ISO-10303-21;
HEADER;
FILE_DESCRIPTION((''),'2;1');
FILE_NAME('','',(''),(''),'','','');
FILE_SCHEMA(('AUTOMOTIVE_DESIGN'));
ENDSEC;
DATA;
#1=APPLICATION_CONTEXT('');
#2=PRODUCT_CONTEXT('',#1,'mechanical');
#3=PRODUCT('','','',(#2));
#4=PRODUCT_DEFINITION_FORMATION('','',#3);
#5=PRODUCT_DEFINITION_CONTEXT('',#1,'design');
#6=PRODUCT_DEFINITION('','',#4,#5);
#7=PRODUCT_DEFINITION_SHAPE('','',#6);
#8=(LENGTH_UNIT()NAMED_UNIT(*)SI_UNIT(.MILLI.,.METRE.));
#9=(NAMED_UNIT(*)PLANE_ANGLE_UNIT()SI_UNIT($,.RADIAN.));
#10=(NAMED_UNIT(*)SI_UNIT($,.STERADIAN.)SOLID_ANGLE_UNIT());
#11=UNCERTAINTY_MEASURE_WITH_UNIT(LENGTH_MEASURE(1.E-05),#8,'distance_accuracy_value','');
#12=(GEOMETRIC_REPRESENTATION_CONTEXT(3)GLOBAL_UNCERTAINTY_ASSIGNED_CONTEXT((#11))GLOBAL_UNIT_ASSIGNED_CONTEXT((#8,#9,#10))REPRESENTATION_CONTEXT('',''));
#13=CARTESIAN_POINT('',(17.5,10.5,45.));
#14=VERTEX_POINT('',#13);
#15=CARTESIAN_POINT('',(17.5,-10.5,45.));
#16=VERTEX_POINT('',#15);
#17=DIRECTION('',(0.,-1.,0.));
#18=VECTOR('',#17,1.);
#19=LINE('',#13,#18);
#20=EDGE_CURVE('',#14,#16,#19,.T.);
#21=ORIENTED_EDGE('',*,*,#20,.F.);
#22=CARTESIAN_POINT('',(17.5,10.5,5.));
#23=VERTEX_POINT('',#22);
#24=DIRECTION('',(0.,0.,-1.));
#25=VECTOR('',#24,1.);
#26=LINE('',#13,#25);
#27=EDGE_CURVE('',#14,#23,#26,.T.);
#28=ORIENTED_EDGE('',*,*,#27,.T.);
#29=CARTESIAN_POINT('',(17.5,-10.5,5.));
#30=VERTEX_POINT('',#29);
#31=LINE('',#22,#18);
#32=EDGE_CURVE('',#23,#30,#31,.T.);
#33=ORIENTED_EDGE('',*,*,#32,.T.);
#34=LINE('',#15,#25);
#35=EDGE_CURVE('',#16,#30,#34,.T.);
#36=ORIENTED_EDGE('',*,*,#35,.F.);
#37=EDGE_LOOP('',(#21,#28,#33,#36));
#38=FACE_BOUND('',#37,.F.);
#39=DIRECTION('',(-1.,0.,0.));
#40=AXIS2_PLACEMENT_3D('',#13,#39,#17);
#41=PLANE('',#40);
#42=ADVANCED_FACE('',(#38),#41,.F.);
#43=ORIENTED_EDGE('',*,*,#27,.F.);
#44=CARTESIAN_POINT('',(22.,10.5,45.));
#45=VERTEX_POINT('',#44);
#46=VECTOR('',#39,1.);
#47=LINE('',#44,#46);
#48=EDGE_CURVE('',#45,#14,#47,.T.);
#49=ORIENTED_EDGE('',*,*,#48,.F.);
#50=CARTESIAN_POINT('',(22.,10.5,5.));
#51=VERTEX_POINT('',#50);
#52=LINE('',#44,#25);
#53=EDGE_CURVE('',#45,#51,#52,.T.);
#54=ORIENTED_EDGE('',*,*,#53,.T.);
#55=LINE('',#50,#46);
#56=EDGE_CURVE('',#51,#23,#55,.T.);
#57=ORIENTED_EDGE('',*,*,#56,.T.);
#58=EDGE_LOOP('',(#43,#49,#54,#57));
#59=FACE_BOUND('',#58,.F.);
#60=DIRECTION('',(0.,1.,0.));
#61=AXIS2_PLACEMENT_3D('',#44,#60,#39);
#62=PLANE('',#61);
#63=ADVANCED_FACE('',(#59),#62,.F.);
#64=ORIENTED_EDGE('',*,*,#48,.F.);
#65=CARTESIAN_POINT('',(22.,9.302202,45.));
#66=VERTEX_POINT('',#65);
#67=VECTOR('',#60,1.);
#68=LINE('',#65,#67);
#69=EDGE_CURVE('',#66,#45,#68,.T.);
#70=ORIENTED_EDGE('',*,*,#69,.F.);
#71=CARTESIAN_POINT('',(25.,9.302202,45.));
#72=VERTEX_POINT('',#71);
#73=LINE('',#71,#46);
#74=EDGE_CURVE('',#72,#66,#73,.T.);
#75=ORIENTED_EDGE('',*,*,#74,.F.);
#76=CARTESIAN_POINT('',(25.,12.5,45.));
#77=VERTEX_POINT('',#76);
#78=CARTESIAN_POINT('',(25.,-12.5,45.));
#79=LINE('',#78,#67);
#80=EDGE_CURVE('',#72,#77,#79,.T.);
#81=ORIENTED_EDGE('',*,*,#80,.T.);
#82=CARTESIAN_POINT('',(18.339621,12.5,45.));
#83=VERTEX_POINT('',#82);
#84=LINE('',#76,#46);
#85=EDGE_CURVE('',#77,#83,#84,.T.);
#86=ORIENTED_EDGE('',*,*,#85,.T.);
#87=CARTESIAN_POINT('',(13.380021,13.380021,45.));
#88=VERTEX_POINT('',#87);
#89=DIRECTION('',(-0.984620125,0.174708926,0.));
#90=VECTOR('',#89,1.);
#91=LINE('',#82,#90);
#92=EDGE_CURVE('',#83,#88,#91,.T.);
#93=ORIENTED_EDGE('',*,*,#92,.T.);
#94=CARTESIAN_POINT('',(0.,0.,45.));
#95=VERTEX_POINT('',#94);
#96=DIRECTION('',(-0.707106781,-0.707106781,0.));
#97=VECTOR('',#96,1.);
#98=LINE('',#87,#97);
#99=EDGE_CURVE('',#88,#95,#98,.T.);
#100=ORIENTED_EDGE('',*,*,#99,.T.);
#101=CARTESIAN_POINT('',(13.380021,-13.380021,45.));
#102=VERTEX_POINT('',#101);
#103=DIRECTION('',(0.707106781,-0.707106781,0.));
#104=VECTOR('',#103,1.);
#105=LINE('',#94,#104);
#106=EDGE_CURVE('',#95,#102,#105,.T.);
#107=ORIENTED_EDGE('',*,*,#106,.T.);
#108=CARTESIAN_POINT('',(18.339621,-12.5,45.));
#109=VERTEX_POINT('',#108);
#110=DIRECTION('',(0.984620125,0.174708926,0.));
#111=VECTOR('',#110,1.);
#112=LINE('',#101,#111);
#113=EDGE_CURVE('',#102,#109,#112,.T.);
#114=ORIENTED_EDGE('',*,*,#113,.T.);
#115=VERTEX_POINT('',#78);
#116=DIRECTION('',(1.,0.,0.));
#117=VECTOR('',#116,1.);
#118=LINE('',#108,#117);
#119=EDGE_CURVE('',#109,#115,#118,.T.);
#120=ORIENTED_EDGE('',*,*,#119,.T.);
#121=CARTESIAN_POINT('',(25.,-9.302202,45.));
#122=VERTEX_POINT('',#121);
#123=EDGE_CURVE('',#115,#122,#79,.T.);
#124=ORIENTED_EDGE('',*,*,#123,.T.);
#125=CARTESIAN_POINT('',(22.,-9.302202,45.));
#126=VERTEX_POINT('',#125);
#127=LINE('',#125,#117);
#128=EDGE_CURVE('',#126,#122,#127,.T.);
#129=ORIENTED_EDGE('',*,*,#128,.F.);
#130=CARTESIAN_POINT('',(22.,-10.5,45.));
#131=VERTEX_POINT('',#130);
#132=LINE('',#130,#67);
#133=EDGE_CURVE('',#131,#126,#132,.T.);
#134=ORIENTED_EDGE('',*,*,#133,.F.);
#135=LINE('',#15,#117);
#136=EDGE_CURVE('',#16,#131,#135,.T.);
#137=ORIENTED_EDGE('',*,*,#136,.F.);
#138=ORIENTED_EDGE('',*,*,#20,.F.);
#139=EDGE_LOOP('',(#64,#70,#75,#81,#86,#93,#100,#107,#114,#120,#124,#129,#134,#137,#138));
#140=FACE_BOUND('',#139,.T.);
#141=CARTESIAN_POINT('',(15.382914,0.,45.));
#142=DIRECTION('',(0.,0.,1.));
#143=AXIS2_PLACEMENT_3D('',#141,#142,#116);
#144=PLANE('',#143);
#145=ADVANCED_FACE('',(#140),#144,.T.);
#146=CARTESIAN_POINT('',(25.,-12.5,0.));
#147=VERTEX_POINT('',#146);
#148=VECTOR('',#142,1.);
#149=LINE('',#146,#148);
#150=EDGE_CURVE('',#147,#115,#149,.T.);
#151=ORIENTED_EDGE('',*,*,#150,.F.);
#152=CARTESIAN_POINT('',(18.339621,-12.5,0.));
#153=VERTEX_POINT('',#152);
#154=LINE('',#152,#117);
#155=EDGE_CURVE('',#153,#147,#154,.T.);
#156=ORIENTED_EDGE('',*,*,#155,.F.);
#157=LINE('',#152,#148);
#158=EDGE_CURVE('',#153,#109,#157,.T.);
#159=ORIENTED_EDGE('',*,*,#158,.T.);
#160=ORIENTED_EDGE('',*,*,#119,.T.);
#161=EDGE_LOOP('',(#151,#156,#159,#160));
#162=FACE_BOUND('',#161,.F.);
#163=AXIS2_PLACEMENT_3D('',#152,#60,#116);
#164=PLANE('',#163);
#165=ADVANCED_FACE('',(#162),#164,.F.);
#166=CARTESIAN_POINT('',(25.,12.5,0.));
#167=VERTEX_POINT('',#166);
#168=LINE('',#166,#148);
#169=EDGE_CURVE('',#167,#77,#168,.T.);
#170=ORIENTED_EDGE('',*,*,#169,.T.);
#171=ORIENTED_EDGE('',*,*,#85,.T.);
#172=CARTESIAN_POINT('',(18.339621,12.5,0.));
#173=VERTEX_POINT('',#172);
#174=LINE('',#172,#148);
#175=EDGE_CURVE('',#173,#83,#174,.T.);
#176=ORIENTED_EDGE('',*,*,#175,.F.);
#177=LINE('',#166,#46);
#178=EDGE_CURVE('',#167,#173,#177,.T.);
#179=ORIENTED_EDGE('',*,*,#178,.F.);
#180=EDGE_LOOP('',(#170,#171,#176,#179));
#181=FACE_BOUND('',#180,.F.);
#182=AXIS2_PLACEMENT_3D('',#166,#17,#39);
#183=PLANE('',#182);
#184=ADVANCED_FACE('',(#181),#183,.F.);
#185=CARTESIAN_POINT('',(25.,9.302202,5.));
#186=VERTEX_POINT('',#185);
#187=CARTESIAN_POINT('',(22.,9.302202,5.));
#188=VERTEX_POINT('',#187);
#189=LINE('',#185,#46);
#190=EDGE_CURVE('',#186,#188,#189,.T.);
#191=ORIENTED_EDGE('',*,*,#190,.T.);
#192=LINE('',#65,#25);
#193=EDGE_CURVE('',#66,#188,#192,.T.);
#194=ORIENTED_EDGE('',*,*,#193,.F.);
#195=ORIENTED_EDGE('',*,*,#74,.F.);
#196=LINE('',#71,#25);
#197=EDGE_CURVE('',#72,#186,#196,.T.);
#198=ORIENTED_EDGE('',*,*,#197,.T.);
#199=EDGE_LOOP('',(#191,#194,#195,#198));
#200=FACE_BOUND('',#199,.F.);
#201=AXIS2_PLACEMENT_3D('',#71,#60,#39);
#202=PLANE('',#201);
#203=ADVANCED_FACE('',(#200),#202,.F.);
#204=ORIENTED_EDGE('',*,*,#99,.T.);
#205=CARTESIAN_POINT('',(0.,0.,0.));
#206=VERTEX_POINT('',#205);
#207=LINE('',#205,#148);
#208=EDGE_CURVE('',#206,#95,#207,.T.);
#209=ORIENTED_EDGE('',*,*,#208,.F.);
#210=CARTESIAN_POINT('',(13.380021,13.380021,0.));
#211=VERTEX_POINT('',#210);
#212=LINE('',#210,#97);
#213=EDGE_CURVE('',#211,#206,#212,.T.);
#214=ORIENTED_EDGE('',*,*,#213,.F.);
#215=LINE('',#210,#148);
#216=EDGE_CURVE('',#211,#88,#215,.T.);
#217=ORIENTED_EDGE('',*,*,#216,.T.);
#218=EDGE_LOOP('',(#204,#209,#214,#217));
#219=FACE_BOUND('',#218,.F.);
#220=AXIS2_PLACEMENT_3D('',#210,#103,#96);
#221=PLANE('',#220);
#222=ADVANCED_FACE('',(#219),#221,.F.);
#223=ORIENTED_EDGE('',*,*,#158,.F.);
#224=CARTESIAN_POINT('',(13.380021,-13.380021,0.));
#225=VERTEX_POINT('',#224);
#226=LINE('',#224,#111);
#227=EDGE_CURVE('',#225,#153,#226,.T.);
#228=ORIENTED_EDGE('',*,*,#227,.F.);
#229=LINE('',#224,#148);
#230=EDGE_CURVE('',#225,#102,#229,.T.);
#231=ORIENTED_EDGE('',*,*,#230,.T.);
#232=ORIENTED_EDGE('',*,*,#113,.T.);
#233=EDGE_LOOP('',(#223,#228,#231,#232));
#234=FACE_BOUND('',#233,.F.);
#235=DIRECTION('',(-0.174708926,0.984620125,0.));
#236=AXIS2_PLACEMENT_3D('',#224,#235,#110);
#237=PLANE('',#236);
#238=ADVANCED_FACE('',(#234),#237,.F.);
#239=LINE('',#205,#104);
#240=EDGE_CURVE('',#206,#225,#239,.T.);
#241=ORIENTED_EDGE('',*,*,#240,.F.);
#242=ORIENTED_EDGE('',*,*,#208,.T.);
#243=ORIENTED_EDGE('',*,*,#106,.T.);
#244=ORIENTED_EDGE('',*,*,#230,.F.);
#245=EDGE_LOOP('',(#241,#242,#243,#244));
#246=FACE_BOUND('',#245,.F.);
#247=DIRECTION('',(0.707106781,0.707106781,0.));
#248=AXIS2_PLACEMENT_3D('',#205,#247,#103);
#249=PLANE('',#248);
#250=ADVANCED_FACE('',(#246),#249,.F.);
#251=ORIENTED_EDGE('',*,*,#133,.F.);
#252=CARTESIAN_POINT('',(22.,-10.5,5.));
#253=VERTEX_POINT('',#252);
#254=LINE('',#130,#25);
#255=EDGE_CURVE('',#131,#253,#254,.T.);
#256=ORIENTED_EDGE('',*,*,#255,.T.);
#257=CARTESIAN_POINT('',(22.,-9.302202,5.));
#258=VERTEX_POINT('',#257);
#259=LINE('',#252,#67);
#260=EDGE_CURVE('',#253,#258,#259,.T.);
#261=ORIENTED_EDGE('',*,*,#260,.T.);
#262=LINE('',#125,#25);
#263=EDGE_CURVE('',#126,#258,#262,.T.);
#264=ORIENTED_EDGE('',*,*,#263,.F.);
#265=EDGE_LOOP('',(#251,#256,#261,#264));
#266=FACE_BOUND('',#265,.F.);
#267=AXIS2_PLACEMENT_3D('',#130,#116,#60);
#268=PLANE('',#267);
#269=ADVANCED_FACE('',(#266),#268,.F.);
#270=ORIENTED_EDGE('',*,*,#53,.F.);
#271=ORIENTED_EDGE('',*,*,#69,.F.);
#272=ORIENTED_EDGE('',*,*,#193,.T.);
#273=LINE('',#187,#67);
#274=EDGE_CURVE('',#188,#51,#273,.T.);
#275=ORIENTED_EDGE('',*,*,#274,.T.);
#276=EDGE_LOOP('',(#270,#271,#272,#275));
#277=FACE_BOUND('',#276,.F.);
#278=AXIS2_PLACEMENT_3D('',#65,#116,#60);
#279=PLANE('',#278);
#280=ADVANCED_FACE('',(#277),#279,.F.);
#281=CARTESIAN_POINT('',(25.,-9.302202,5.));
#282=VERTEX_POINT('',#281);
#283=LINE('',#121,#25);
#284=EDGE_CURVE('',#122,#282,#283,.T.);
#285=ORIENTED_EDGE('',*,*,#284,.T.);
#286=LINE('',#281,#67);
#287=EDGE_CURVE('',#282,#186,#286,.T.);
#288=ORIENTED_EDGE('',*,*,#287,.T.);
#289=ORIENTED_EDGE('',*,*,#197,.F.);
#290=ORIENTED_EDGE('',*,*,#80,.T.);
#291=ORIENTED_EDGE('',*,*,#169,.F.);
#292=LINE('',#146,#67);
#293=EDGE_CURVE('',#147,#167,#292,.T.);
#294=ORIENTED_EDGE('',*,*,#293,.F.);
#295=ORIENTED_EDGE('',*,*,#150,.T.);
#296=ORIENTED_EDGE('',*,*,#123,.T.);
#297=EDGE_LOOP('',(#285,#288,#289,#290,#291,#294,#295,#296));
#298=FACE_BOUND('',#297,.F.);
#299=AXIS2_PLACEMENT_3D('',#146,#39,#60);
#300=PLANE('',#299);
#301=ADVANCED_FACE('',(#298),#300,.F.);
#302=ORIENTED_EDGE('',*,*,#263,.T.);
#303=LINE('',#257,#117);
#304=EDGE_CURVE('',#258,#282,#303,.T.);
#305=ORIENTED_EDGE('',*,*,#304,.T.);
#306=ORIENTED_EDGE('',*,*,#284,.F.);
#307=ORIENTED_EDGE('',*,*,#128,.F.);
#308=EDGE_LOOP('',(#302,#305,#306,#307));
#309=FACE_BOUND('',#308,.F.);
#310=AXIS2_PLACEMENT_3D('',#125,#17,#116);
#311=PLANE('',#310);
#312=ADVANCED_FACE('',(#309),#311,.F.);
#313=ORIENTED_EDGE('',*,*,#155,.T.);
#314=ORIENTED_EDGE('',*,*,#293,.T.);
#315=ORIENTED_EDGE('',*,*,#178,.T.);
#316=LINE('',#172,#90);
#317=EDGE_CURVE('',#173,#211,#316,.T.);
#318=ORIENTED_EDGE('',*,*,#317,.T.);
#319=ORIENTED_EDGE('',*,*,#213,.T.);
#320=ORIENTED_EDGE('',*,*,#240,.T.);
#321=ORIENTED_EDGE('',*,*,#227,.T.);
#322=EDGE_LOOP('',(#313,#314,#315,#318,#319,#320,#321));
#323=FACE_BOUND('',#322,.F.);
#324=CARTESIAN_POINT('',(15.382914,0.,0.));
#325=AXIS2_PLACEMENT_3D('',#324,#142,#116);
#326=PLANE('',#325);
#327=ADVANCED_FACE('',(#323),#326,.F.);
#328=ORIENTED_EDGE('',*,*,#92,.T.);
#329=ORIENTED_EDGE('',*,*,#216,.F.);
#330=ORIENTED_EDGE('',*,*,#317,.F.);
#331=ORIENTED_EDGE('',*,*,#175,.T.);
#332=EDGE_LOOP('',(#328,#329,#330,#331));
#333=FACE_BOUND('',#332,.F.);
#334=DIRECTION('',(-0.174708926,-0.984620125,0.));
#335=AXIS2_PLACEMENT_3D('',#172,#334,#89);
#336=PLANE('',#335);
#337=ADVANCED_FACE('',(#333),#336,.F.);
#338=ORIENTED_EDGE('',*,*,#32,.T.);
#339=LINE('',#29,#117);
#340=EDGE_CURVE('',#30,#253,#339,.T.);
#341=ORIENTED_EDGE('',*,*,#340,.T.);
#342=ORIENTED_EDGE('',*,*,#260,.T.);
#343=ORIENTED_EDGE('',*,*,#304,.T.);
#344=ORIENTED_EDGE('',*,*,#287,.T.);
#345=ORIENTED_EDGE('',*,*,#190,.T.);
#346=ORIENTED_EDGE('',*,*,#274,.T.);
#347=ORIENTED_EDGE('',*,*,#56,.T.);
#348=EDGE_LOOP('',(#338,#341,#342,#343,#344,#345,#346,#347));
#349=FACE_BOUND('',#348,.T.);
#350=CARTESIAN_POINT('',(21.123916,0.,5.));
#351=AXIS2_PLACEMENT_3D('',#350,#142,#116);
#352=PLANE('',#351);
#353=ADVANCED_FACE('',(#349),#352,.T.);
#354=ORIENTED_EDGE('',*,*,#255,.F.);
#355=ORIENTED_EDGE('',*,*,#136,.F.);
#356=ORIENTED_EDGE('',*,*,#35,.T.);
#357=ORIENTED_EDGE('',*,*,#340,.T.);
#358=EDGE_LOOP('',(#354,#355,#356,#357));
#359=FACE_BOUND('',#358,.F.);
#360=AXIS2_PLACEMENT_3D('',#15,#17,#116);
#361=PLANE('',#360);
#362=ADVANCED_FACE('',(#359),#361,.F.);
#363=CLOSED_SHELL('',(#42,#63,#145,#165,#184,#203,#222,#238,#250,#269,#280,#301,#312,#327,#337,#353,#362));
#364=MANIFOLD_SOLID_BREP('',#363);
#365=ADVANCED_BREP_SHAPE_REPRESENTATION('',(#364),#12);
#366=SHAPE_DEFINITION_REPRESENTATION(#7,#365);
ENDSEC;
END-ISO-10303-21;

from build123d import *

# Parameters (mm, degrees)
PAD_DEPTH    = 45
POCKET_DEPTH = 40


with BuildPart() as part:
    # Sketch → Pad (new body)
    with BuildSketch(Plane.XY):
        Polygon((13.380021, 13.380021), (0, 0), (13.380021, -13.380021), (18.339621, -12.5), (25, -12.5), (25, 12.5), (18.339621, 12.5), align=None)
    extrude(amount=PAD_DEPTH)

    # Sketch001 (on Face9 of Pad) → Pocket (cut)
    with BuildSketch(Plane.XY.offset(45)):
        Polygon((25, 9.302202), (22, 9.302202), (22, 10.5), (17.5, 10.5), (17.5, -10.5), (22, -10.5), (22, -9.302202), (25, -9.302202), align=None)
    extrude(amount=-POCKET_DEPTH, mode=Mode.SUBTRACT)


solid = part.part
